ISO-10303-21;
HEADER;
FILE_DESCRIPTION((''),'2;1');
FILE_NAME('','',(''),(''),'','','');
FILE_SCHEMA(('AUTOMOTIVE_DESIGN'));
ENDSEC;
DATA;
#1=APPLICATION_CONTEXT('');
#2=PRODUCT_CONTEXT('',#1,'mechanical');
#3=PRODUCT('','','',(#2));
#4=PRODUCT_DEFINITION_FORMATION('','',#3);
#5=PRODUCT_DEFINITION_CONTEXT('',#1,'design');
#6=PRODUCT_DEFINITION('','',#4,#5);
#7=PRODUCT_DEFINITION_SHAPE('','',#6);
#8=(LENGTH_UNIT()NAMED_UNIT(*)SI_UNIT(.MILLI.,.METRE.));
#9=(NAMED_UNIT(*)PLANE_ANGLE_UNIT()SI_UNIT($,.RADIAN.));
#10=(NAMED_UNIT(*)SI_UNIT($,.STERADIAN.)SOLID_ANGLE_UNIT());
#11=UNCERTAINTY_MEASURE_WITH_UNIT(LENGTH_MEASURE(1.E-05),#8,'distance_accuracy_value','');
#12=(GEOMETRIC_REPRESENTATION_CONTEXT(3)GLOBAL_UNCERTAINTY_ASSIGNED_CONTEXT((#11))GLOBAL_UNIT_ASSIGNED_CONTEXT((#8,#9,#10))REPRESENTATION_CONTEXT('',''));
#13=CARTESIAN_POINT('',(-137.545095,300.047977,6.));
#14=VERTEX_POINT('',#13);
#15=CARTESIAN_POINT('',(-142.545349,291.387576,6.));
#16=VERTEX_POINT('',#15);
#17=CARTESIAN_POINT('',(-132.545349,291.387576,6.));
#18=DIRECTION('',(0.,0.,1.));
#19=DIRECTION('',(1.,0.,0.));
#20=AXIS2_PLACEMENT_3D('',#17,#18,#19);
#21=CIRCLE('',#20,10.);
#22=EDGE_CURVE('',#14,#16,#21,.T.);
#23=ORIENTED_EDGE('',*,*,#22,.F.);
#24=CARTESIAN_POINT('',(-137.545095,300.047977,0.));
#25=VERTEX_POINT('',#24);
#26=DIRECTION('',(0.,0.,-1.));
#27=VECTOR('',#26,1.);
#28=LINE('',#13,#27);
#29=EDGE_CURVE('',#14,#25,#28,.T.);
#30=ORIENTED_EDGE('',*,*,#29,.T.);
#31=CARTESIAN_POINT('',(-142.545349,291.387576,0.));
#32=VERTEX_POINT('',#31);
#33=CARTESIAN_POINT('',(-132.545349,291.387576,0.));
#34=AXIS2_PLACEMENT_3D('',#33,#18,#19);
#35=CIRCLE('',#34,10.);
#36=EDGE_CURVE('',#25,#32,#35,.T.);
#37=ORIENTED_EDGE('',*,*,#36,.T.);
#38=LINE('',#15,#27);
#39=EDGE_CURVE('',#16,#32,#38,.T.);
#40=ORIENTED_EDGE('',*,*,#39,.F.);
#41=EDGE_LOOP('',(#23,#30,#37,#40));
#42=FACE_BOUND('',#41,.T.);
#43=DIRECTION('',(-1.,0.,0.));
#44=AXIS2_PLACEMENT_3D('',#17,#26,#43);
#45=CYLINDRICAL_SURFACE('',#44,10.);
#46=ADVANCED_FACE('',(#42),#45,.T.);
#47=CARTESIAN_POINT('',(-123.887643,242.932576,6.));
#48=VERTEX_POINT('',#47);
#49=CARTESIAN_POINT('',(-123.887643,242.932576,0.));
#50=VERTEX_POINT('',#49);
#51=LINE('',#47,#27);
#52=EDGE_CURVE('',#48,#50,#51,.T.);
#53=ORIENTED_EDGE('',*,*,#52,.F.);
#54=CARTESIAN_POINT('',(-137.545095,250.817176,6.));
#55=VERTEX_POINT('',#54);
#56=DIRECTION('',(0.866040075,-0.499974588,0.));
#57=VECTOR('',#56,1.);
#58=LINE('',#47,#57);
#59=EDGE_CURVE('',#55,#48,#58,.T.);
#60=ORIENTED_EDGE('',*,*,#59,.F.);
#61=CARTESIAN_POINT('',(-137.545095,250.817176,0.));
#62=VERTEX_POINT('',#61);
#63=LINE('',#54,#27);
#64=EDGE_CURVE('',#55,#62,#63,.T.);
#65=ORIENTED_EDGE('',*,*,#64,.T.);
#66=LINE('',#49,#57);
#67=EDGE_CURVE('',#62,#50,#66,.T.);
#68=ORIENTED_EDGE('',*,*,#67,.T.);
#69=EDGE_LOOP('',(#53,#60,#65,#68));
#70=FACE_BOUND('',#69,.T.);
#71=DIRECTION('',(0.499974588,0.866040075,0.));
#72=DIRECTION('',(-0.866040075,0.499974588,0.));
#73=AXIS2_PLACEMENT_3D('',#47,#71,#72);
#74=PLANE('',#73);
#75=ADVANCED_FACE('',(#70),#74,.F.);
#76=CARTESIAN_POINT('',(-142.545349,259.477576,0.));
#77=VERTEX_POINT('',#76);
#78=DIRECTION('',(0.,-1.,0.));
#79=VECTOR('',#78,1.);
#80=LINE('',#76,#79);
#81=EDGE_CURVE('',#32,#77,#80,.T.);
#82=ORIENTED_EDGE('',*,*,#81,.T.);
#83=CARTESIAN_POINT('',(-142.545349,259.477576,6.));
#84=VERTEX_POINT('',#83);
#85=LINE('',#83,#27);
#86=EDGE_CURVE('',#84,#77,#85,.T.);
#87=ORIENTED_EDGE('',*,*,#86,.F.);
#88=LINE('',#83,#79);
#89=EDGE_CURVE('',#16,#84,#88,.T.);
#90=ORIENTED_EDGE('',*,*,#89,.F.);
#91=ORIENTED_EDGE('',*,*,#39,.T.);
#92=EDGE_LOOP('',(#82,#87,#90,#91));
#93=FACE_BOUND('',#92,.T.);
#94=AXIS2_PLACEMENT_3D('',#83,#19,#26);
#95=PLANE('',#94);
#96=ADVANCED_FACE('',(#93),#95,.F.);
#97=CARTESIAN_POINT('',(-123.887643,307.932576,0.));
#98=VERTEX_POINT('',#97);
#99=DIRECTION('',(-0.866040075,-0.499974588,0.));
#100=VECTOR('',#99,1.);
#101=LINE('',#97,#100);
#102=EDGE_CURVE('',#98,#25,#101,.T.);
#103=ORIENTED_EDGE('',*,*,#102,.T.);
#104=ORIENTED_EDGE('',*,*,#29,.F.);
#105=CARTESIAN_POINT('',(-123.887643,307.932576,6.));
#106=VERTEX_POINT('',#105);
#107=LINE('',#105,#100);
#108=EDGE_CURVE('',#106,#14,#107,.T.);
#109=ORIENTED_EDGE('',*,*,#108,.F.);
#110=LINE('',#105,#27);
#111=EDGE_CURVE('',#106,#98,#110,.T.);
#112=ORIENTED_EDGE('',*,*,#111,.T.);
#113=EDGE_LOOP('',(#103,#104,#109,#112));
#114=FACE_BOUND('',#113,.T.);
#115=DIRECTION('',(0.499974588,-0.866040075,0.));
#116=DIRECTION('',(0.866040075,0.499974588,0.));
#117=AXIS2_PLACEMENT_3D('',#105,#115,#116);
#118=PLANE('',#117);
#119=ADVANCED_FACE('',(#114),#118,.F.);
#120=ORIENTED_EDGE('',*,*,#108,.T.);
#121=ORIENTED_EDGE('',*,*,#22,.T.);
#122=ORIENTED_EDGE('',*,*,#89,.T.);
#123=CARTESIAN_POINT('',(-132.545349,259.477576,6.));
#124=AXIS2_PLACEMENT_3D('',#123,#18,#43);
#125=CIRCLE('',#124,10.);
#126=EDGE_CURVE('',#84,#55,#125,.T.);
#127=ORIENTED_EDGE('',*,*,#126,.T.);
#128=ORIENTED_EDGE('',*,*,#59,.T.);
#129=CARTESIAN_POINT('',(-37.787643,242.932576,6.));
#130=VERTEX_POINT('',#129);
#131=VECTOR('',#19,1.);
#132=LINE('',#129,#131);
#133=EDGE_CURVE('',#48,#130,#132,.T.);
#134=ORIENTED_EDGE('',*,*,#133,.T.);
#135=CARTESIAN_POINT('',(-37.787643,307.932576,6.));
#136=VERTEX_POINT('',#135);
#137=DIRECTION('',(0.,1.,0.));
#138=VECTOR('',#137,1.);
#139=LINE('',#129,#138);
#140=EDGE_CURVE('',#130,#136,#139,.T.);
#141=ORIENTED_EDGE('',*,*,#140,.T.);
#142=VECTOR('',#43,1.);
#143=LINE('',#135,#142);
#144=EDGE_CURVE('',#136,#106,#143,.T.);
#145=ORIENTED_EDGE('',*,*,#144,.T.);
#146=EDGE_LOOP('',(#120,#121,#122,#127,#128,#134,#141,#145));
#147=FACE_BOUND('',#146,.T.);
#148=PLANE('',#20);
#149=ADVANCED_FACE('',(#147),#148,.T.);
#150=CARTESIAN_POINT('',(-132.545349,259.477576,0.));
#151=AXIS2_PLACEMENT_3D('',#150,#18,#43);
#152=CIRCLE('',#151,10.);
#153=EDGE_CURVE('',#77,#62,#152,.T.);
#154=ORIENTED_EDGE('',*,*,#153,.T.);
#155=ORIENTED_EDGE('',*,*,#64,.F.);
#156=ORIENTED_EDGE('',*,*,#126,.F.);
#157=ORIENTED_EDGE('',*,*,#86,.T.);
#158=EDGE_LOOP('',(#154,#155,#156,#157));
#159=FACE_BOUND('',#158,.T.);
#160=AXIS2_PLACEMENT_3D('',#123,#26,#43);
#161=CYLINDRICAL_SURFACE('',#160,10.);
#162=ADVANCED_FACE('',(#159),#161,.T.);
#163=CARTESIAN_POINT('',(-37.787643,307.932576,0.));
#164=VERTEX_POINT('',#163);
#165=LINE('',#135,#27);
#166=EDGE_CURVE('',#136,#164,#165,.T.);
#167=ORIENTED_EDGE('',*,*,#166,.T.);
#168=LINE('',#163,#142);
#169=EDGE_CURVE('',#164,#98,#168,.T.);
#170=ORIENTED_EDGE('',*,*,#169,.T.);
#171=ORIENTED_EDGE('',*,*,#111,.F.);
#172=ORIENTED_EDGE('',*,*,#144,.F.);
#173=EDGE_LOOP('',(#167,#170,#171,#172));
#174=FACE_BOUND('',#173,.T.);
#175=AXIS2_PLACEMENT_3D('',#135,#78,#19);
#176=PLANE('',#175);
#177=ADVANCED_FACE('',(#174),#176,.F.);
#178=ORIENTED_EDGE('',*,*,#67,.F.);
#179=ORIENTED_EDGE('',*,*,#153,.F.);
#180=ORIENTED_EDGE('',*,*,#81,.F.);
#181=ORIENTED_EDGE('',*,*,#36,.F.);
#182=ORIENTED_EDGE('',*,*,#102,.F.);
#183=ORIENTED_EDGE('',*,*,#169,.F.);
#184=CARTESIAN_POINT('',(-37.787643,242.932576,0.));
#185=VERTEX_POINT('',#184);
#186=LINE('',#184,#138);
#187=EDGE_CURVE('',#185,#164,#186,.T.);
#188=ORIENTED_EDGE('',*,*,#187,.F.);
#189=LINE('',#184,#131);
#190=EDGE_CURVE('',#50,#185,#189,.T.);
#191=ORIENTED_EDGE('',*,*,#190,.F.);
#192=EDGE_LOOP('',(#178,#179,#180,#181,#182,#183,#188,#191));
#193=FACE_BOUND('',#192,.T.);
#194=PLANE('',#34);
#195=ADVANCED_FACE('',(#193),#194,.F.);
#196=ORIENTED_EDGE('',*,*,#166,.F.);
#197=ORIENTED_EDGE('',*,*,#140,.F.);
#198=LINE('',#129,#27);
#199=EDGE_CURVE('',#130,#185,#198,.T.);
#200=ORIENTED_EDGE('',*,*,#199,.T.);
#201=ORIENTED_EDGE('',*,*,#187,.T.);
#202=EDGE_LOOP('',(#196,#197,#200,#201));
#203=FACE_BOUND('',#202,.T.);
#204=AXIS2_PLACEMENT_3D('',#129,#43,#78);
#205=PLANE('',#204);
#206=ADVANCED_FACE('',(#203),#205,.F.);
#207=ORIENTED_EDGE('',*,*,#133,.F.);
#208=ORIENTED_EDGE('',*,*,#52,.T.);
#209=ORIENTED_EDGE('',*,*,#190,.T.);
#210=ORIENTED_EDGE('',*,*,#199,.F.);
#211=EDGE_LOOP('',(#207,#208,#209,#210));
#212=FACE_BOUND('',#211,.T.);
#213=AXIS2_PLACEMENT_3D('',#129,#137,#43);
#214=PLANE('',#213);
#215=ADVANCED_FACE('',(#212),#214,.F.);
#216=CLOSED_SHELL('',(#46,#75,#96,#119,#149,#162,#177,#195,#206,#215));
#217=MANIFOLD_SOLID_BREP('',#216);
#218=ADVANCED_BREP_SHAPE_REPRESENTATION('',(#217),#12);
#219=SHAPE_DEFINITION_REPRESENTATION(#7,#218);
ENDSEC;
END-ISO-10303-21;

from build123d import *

# Parameters (mm, degrees)
BOSS_EXTRUDE1_DEPTH = 6


with BuildPart() as part:
    # Sketch1 → Boss-Extrude1 (new body)
    with BuildSketch(Plane.XY):
        with BuildLine():
            Line((-37.787642532, 307.932576411), (-123.887642532, 307.932576411))
            Line((-123.887642532, 307.932576411), (-137.545094515, 300.047977161))
            ThreePointArc((-137.545094515, 300.047977161), (-141.205529316, 296.38770347), (-142.545348637, 291.387576411))
            Line((-142.545348637, 291.387576411), (-142.545348637, 259.477576411))
            ThreePointArc((-142.545348637, 259.477576411), (-141.205529316, 254.477449351), (-137.545094515, 250.817175661))
            Line((-137.545094515, 250.817175661), (-123.887642532, 242.932576411))
            Line((-123.887642532, 242.932576411), (-37.787642532, 242.932576411))
            Line((-37.787642532, 242.932576411), (-37.787642532, 307.932576411))
        make_face()
    extrude(amount=BOSS_EXTRUDE1_DEPTH)


solid = part.part
